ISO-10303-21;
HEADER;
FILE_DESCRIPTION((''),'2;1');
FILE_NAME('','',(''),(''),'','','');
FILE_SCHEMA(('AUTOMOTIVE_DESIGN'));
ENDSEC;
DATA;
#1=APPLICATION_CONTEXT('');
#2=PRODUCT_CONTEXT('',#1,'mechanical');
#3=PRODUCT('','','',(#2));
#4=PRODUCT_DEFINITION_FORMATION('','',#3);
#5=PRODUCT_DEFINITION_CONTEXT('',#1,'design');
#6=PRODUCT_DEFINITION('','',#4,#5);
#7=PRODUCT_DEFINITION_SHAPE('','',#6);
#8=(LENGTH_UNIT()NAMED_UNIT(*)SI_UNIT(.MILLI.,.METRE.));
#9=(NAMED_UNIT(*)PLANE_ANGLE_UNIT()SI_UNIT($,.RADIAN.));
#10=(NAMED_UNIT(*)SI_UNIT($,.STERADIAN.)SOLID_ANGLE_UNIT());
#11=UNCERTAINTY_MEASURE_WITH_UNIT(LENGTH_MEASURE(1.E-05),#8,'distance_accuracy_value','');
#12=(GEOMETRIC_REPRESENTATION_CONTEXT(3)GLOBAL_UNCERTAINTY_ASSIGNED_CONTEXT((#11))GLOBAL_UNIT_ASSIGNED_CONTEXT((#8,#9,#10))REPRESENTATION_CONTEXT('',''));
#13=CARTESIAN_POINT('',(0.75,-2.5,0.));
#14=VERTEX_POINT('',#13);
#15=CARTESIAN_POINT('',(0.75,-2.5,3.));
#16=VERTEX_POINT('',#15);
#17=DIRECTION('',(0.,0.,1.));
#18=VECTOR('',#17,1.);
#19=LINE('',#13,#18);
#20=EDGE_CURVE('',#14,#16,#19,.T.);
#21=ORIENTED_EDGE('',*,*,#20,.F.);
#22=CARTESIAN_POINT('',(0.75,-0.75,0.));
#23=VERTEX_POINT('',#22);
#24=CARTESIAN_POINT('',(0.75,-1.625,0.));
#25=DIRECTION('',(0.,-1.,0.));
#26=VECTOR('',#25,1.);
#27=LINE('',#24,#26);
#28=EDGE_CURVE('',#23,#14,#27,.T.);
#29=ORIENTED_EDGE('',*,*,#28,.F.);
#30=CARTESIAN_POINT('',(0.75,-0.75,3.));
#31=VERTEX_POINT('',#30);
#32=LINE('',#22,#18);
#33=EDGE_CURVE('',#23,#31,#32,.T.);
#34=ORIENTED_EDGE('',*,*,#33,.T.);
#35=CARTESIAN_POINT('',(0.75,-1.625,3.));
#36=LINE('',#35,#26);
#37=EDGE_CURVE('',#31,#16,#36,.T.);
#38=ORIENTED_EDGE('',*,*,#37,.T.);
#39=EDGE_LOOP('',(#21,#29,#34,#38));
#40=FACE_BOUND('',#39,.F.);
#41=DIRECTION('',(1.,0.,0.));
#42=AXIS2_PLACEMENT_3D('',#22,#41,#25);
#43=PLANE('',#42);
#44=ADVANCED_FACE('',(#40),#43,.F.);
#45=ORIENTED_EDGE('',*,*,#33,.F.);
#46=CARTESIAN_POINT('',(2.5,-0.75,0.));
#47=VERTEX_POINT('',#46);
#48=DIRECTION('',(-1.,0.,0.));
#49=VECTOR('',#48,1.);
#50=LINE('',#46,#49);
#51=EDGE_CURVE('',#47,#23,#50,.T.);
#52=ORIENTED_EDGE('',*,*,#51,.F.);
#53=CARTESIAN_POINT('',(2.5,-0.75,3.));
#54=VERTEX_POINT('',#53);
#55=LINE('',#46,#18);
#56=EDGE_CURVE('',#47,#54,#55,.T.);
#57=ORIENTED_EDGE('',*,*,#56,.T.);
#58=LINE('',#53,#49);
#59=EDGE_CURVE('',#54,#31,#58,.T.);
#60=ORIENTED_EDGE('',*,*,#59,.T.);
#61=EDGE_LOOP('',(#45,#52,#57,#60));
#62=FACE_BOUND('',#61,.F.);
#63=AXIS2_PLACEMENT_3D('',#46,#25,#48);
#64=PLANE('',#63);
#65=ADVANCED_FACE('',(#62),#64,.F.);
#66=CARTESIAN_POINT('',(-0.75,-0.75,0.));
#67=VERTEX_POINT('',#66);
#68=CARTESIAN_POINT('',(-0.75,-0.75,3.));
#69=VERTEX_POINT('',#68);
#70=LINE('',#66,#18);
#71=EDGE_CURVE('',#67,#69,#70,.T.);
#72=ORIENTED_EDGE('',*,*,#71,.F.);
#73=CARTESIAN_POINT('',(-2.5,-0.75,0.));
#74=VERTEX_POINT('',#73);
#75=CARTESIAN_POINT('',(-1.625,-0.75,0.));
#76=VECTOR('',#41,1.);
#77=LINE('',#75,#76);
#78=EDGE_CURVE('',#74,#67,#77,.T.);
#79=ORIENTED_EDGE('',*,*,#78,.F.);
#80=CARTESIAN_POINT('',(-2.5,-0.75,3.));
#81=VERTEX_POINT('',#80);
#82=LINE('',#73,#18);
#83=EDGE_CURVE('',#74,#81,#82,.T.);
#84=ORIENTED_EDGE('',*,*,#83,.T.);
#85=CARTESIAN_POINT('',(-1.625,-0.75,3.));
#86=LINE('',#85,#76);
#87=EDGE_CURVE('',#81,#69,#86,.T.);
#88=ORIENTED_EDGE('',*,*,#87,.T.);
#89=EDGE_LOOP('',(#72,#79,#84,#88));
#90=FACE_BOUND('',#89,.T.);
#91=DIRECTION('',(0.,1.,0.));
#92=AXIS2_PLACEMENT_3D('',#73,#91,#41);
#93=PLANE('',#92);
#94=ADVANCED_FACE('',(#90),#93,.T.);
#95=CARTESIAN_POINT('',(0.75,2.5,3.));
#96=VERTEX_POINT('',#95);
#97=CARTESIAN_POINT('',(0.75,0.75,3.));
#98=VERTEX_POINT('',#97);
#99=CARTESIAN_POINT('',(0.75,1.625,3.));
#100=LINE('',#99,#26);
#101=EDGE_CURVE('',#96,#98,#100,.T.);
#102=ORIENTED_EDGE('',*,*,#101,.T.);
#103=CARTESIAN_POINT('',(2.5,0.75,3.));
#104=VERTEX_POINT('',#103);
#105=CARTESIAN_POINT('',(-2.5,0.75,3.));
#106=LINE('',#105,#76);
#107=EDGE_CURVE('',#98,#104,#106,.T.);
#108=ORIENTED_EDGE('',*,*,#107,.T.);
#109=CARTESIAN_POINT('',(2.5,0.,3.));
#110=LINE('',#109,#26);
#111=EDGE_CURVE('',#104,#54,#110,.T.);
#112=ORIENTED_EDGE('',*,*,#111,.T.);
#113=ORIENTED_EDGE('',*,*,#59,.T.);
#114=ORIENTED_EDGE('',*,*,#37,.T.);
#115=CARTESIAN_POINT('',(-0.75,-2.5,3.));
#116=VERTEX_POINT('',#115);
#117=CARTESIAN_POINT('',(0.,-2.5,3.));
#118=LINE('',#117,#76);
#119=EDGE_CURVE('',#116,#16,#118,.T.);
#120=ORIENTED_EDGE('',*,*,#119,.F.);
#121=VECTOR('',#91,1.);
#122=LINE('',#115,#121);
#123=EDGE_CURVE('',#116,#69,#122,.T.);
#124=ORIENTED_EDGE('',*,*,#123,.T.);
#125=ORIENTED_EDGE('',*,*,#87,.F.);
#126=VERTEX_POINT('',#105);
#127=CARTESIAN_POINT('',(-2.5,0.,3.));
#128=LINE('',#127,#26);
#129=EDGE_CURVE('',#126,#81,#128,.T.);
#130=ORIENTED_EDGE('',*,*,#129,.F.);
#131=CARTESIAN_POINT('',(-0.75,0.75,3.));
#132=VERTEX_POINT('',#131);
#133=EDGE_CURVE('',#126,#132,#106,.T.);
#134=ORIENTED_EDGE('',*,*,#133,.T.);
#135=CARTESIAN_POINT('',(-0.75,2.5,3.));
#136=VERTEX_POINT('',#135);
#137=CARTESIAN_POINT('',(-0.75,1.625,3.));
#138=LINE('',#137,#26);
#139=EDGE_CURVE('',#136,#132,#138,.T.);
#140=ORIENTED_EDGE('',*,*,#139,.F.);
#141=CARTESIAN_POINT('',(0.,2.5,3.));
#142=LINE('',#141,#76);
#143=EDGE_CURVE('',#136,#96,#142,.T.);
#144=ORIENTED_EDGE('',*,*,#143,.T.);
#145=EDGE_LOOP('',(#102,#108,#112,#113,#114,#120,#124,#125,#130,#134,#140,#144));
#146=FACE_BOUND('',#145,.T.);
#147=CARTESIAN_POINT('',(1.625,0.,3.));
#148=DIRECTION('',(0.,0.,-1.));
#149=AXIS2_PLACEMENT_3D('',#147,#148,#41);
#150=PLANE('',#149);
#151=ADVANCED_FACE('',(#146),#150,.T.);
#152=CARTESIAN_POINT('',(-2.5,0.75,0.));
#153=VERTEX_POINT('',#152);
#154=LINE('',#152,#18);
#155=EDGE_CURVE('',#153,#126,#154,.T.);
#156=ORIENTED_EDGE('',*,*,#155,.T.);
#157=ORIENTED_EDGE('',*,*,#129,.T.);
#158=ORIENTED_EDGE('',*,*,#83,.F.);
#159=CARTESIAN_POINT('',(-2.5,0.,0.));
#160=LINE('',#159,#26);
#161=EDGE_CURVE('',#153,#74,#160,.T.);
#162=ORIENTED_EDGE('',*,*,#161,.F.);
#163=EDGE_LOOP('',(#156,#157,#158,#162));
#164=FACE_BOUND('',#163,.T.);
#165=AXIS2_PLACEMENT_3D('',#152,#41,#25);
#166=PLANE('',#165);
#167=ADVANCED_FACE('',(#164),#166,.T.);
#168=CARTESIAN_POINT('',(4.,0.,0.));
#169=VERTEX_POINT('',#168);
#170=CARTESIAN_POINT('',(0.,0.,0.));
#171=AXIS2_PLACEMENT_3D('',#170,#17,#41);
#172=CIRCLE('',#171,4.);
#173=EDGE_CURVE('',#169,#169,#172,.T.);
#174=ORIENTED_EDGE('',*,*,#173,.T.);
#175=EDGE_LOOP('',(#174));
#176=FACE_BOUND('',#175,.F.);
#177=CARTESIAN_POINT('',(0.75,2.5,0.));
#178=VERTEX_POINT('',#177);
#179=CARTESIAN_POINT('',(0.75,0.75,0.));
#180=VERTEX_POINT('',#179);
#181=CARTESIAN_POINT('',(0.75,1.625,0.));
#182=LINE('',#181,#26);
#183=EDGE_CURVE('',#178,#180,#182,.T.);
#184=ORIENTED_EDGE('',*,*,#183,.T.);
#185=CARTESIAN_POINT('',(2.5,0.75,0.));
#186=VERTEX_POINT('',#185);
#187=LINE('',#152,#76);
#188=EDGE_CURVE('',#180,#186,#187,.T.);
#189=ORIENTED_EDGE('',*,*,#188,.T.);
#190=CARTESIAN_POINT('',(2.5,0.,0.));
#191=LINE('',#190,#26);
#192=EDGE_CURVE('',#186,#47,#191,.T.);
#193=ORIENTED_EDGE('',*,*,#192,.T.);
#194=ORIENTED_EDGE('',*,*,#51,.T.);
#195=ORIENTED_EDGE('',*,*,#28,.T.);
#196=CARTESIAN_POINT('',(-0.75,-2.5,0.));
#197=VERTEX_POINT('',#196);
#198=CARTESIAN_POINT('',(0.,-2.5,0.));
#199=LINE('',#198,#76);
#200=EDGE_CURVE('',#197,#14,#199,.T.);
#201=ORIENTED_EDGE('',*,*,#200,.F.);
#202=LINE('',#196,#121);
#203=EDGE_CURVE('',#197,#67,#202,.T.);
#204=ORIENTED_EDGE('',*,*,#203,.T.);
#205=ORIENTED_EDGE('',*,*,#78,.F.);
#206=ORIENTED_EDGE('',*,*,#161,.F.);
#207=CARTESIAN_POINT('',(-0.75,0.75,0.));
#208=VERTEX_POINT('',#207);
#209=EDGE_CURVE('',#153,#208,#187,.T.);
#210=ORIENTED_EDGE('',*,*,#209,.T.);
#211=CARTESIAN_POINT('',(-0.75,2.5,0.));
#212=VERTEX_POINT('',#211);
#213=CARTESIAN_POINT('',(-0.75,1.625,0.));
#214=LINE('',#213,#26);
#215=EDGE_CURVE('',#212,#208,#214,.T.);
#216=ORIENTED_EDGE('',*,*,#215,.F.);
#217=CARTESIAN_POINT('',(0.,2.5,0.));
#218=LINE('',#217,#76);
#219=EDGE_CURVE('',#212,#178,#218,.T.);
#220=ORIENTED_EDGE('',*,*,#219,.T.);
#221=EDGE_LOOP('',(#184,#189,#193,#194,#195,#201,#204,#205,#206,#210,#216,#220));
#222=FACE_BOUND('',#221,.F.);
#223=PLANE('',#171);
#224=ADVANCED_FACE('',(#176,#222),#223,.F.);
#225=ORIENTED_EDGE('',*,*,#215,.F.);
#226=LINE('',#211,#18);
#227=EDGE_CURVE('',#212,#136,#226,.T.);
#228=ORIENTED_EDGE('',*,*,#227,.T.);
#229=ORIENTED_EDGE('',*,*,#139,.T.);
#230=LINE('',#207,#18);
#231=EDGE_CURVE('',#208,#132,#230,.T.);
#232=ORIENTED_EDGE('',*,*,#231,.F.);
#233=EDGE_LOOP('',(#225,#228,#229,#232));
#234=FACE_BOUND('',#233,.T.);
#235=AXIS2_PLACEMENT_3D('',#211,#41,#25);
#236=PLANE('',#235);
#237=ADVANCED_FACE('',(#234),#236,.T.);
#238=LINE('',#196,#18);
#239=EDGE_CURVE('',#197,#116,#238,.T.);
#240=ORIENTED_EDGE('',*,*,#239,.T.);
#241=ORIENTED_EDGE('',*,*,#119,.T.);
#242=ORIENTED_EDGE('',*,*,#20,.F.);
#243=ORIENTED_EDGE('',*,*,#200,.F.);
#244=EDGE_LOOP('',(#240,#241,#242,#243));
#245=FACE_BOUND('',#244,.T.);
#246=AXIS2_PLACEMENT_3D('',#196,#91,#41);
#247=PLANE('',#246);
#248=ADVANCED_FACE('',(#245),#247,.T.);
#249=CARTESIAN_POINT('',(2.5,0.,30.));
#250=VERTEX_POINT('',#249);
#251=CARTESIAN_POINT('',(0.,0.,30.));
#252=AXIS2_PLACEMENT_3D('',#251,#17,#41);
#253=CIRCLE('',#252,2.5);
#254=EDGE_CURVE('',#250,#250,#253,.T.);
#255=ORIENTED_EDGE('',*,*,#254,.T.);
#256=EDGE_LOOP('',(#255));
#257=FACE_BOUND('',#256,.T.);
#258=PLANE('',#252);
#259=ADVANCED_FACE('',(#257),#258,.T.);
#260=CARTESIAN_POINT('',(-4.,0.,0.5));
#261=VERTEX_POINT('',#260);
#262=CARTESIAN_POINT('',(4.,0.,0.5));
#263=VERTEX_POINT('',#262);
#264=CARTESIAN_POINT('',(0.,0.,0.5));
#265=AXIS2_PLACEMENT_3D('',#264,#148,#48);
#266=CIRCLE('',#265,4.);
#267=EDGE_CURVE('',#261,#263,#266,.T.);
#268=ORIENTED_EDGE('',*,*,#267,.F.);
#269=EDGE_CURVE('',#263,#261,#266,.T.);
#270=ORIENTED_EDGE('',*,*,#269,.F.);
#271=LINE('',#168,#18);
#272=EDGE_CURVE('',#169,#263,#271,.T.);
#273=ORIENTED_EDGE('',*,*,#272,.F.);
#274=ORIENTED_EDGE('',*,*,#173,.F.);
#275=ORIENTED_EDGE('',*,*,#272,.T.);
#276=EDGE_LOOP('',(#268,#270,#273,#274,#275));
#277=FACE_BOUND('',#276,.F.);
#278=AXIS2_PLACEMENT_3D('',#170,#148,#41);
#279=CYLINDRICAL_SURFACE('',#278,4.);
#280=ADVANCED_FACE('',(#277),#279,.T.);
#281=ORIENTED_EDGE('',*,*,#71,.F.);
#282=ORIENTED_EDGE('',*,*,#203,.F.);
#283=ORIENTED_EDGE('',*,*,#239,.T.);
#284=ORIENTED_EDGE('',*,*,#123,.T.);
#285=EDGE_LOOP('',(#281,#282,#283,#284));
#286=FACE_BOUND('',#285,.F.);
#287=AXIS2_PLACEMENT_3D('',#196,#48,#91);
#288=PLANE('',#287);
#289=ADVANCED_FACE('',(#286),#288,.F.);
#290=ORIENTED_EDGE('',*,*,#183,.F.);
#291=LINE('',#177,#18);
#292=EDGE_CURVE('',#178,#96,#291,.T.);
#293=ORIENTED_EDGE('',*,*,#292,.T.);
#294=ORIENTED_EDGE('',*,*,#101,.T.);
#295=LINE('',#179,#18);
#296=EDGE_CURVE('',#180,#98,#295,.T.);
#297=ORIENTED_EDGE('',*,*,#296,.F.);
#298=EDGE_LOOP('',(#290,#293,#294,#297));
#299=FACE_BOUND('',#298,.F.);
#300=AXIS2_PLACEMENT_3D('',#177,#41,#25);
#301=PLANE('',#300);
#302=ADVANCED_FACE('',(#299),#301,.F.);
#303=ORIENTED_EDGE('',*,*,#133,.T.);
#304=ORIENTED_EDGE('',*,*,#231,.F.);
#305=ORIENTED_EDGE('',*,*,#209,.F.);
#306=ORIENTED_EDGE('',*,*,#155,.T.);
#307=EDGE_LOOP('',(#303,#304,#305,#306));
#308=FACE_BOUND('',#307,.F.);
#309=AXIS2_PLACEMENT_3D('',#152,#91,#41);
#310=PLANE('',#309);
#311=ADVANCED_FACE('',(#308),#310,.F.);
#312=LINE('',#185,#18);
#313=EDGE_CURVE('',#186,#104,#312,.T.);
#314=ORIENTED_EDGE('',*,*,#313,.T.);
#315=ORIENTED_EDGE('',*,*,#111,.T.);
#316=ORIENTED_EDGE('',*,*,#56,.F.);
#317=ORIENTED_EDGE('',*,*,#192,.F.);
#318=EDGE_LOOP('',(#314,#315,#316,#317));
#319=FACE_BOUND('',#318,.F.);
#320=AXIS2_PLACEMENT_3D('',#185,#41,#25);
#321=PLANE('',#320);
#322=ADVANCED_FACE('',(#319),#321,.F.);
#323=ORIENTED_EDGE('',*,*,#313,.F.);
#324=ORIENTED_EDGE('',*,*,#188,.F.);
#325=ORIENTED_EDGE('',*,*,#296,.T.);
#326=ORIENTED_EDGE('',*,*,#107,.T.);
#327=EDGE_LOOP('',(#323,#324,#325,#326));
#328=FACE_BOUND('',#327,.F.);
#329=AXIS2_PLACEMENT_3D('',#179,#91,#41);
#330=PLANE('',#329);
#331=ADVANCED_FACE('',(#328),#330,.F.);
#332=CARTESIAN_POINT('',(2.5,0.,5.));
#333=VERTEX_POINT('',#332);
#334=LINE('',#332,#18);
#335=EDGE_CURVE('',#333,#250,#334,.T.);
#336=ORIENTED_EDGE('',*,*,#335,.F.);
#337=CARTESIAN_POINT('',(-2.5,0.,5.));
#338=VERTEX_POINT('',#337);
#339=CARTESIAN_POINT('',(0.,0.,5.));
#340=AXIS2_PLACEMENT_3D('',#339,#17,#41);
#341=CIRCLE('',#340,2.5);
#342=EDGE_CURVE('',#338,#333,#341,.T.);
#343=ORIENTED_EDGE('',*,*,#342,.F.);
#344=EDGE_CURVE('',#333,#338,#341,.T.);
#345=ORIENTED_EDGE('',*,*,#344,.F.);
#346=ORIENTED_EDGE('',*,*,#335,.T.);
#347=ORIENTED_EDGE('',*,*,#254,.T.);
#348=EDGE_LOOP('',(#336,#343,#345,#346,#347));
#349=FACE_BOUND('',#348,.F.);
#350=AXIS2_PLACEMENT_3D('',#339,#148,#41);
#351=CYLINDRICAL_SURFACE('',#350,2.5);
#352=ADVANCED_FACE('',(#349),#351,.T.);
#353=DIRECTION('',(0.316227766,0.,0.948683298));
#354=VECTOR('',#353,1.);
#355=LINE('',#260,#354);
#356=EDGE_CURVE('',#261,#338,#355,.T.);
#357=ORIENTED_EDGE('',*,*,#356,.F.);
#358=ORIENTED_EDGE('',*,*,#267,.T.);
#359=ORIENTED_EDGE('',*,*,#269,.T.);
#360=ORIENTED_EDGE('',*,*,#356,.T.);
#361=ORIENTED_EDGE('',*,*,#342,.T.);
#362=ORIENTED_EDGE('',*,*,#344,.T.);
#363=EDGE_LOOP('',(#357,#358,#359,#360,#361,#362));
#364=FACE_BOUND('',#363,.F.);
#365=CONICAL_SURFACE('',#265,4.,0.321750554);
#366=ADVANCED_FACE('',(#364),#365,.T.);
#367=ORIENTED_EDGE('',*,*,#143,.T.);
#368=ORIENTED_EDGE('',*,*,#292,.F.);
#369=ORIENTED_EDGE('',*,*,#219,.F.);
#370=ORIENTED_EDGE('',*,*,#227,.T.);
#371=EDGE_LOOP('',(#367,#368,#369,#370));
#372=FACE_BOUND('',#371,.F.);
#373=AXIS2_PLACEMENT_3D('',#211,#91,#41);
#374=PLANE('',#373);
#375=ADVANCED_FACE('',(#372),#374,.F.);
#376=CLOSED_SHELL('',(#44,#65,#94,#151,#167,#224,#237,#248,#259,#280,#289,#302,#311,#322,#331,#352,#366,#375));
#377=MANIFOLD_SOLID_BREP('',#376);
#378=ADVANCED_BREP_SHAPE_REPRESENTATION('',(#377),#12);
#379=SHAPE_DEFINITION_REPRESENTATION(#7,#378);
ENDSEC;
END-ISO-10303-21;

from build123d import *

# Parameters (mm, degrees)
F0_R     = 4
F1_DEPTH = 5
F2_R     = 2.5
F3_DEPTH = 25
F6_W     = 1.75
F6_H     = 1.5
F6_W_2   = 1.5
F6_H_2   = 1.75
F7_DEPTH = 3


with BuildPart() as f1:
    # F0 (on Top) → F1 (new body)
    with BuildSketch(Plane.XY):
        Circle(F0_R)
    extrude(amount=F1_DEPTH)

    # F2 (on face) → F3 (join)
    with BuildSketch(Plane.XY.offset(5)):
        Circle(F2_R)
    extrude(amount=F3_DEPTH)

    # F4 (on Front) → F5 (revolve, cut)
    with BuildSketch(Plane.XZ):
        Polygon((-4, 0.5), (-2.5, 5), (-4, 5), align=None)
    revolve(axis=Axis((0, 0, 2.5), (0, 0, -1)), mode=Mode.SUBTRACT)

    # F6 (on face) → F7 (cut)
    with BuildSketch(Plane(origin=(0, 0, 0), x_dir=(1, 0, 0), z_dir=(0, 0, -1))):
        with Locations((1.625, 0)):
            Rectangle(F6_W, F6_H)
        Rectangle(F6_W_2, F6_H)
        with Locations((0, 1.625)):
            Rectangle(F6_W_2, F6_H_2)
        with Locations((-1.625, 0)):
            Rectangle(F6_W, F6_H)
        with Locations((0, -1.625)):
            Rectangle(F6_W_2, F6_H_2)
    extrude(amount=-F7_DEPTH, mode=Mode.SUBTRACT)


solid = f1.part
